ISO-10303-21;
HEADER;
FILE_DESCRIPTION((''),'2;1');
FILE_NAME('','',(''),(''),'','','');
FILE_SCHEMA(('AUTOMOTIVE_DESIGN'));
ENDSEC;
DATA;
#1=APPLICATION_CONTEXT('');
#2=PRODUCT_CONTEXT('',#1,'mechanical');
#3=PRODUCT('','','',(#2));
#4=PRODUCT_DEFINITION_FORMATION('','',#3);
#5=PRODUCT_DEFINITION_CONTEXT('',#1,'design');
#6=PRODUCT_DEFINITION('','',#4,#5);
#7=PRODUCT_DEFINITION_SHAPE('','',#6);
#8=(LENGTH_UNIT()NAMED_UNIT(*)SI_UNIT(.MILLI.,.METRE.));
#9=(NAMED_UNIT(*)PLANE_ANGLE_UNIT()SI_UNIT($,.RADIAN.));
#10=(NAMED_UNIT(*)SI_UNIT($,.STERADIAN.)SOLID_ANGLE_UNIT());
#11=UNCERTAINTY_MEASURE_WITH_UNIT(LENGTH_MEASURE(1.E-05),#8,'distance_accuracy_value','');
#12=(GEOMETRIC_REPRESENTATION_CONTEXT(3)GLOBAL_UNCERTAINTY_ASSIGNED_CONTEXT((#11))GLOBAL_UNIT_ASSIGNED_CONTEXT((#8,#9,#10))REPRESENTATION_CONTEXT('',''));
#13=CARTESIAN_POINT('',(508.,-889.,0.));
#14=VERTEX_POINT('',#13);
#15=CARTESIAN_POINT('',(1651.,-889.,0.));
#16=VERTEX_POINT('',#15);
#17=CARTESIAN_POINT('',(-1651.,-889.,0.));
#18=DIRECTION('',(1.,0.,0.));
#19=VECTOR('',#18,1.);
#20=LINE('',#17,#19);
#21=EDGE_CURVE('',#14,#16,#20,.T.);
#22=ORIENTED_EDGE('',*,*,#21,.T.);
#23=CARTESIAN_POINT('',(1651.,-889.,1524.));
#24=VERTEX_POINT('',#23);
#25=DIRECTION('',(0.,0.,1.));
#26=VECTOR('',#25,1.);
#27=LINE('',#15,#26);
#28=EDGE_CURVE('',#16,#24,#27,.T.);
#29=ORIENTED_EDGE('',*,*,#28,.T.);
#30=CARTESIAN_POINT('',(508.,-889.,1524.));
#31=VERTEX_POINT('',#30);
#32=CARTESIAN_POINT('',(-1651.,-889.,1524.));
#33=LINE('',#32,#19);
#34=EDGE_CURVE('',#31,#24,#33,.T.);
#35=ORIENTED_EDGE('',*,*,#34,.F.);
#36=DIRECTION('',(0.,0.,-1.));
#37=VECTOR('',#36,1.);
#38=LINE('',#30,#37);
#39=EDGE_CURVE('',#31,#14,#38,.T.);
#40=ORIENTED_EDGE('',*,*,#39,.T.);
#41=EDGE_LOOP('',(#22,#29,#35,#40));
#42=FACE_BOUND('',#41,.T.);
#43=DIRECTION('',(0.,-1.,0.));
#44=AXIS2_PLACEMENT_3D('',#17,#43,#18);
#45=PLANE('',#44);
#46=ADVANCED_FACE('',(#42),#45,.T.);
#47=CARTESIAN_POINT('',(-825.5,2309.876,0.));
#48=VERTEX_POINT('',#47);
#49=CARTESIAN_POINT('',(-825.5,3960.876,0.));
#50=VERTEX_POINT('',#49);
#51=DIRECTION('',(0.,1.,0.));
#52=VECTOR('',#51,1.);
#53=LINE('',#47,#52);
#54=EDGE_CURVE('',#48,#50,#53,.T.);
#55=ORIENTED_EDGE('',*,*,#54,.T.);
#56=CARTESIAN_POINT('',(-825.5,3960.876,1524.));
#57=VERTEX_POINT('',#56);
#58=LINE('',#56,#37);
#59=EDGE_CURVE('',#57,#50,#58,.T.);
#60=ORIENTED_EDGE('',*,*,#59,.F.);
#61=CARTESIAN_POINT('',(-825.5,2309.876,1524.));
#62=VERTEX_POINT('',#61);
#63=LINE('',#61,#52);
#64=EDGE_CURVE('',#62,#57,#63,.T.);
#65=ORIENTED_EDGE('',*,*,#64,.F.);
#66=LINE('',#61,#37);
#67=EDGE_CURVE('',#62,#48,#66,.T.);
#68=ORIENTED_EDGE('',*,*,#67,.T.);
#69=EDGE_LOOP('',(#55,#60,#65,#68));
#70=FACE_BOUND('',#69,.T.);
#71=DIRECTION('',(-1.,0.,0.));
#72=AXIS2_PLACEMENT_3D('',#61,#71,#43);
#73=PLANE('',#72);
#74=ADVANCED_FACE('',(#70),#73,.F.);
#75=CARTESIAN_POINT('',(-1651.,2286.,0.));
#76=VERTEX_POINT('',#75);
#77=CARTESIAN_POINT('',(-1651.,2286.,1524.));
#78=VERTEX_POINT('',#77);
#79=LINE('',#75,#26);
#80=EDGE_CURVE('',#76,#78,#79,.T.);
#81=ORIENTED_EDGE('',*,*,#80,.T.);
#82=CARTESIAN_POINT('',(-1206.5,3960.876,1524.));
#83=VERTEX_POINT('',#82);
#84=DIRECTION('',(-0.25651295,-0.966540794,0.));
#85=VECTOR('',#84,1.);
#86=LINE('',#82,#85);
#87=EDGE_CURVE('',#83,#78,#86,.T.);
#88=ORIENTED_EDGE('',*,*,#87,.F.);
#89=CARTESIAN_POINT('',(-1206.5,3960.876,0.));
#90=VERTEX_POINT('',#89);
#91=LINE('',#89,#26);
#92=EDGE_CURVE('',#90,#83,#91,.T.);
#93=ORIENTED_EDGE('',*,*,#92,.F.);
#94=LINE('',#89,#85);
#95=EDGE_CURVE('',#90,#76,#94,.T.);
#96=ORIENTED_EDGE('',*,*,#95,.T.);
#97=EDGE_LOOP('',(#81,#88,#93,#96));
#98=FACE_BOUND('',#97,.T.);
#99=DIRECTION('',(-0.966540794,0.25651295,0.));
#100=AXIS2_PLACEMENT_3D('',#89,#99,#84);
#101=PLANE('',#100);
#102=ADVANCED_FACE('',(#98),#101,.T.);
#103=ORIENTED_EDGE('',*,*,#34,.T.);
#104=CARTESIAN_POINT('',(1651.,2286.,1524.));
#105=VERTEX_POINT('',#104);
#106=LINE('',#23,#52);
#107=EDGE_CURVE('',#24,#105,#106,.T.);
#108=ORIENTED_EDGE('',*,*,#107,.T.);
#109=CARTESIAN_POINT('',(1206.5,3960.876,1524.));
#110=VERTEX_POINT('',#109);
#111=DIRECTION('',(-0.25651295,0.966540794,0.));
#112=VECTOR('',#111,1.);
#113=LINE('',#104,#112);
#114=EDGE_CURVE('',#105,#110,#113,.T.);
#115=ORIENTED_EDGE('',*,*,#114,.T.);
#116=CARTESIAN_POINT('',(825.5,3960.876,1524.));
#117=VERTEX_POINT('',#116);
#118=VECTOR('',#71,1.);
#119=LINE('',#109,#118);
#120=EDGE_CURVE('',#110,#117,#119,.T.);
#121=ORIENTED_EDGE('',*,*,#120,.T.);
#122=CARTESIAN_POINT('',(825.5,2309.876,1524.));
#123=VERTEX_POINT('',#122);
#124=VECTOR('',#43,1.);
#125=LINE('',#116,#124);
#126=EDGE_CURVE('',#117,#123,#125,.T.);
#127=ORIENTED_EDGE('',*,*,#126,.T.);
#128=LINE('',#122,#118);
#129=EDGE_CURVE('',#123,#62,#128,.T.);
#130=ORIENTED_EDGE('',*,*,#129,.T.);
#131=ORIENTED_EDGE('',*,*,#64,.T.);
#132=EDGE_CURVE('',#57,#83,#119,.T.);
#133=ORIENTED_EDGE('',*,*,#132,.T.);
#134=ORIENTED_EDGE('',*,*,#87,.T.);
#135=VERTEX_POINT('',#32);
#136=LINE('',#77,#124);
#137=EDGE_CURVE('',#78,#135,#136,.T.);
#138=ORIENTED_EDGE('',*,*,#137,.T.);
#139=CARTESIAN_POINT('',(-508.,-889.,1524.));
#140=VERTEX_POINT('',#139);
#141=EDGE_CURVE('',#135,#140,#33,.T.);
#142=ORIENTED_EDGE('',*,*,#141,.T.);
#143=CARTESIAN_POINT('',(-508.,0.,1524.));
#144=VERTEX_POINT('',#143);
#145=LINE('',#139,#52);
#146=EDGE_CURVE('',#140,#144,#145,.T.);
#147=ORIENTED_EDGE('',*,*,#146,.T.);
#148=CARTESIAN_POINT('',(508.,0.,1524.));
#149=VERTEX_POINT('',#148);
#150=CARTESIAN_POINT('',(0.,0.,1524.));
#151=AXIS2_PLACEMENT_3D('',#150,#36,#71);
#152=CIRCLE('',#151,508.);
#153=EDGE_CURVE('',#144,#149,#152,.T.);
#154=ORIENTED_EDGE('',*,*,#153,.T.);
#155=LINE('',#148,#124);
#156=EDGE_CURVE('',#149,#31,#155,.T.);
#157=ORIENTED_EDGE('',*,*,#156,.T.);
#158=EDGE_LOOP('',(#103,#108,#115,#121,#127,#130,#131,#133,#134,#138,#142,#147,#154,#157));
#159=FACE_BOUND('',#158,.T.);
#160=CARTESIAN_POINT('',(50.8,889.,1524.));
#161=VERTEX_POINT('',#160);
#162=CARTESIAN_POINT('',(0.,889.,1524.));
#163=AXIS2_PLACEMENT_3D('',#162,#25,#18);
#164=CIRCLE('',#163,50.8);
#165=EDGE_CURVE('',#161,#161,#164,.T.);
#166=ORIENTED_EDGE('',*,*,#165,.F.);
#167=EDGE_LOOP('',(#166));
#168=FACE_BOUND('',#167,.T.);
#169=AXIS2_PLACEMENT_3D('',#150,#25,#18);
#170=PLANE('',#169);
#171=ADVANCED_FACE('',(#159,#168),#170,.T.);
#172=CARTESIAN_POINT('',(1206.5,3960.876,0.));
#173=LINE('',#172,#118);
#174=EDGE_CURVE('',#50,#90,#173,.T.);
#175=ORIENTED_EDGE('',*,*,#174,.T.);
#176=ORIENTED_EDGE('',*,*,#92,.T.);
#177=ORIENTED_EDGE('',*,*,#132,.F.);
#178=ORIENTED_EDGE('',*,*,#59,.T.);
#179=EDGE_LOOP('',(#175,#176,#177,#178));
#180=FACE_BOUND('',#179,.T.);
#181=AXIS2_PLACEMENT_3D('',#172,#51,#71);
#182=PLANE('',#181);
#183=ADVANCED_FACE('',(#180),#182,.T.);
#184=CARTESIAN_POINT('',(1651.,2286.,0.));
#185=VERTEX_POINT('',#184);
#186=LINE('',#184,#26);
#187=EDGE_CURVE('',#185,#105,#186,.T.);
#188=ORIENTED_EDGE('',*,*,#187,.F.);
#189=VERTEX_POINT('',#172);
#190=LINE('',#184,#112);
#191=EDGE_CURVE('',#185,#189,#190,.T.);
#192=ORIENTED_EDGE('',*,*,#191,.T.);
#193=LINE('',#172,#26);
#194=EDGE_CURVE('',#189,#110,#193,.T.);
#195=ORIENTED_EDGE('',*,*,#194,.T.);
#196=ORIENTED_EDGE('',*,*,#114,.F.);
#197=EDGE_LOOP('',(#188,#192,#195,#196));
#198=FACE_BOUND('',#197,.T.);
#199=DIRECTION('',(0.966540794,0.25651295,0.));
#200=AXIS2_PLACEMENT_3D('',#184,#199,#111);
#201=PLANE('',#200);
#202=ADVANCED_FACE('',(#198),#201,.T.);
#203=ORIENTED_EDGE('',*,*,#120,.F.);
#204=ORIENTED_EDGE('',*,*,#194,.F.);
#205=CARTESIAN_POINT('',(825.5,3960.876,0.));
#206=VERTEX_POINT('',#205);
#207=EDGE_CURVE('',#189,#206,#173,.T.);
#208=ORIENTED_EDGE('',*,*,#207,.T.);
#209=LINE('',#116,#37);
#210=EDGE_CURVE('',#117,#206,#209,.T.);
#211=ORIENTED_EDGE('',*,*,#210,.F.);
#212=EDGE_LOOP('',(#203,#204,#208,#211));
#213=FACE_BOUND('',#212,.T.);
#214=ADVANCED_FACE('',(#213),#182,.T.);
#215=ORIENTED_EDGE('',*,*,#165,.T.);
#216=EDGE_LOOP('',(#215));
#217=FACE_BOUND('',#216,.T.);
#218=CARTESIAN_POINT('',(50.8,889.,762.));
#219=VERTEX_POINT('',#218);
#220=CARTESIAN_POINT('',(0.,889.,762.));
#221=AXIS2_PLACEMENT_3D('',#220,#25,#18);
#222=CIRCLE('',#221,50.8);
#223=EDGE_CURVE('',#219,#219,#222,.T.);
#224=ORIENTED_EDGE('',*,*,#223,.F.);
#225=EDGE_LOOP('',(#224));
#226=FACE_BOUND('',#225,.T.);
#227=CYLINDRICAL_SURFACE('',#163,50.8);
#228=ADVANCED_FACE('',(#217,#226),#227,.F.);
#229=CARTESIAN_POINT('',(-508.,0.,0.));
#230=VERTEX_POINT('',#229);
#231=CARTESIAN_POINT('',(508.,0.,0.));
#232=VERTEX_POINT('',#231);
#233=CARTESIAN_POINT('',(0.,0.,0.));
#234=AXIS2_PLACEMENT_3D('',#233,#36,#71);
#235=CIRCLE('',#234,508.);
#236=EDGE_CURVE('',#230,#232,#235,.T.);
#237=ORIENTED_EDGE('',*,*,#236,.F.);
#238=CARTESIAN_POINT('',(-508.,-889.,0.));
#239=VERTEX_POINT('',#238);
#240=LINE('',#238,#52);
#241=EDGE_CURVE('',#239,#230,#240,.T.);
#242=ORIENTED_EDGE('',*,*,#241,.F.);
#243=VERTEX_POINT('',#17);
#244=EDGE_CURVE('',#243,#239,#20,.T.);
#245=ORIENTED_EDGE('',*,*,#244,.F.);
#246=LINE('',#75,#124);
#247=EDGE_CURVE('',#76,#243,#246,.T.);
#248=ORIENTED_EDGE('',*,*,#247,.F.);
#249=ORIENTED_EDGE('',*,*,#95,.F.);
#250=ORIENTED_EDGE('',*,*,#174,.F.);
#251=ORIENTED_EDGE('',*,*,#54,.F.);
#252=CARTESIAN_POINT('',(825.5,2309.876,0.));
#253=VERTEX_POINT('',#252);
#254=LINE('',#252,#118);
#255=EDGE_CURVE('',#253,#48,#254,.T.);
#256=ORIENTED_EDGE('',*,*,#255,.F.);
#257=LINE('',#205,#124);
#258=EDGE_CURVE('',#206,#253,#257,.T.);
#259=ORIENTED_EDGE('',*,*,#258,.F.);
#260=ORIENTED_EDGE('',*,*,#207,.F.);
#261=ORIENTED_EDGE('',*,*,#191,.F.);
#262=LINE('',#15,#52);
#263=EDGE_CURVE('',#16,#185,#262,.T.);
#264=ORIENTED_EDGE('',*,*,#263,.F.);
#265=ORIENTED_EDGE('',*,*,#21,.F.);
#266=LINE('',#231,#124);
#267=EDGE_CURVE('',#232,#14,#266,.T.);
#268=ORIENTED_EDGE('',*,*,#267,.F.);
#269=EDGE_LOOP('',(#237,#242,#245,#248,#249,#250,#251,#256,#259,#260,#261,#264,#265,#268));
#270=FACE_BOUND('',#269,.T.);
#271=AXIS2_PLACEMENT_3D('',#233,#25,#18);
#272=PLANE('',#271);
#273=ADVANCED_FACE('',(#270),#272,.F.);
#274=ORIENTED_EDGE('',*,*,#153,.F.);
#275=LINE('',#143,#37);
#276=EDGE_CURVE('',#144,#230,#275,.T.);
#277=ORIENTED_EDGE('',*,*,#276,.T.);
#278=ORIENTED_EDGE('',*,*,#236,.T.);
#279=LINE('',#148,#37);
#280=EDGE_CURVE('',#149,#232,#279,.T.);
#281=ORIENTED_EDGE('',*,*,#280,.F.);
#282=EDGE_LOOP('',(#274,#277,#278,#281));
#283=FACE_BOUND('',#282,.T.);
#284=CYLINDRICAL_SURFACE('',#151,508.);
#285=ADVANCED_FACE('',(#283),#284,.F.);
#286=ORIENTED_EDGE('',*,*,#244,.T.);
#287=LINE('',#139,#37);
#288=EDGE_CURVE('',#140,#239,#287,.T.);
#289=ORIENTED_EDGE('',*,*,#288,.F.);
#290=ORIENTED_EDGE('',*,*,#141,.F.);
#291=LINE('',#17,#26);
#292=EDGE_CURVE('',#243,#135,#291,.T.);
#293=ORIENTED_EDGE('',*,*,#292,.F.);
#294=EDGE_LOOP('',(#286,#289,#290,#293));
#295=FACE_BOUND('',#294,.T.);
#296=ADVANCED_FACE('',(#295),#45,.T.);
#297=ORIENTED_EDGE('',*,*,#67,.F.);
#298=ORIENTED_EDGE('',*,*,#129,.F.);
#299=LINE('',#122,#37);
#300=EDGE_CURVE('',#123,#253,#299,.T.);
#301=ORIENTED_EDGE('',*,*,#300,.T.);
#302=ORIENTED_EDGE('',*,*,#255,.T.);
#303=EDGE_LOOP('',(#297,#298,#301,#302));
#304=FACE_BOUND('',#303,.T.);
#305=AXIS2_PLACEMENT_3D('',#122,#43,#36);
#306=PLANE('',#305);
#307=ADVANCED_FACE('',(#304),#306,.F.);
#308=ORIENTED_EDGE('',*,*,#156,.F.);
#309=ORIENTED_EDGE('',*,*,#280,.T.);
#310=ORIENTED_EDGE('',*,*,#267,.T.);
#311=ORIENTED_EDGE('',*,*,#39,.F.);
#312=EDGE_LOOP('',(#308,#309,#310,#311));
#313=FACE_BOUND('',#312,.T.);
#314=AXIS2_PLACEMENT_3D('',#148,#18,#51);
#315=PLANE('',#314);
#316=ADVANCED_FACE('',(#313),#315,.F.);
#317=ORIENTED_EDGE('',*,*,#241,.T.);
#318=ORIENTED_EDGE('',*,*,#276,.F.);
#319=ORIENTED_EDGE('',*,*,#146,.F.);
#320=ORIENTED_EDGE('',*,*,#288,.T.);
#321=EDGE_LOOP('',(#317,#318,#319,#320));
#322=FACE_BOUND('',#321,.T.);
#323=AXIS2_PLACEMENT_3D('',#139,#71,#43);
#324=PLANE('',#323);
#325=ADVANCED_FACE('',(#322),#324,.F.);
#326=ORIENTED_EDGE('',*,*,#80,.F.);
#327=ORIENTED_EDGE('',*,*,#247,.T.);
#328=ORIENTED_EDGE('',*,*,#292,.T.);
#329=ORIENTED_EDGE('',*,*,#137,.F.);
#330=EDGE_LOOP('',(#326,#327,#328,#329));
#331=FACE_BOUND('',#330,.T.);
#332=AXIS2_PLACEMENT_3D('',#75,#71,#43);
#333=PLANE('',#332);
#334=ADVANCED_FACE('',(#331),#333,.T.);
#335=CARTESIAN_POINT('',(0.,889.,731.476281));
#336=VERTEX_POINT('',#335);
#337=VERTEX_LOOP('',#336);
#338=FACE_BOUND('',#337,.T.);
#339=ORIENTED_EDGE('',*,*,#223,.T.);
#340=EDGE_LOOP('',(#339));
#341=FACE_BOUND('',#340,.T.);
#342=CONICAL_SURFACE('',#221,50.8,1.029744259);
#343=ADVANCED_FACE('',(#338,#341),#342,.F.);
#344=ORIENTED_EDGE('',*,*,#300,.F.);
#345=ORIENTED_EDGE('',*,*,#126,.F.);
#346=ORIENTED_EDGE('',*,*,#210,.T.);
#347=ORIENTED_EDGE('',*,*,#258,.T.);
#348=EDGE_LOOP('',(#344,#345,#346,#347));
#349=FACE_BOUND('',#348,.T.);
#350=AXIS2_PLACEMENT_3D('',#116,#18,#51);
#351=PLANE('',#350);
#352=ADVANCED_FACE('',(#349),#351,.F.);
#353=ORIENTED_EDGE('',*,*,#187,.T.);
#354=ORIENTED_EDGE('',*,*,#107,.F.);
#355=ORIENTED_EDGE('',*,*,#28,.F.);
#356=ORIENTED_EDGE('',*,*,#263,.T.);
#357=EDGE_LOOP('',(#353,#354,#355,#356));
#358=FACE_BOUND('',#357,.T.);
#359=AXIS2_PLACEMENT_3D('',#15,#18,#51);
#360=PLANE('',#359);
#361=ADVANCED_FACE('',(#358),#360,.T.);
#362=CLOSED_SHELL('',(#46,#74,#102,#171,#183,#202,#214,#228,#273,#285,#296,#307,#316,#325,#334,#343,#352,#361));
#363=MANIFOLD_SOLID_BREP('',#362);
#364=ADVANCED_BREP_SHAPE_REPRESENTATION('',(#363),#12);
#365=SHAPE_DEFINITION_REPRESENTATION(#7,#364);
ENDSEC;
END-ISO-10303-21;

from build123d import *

# Parameters (mm, degrees)
BOSS_EXTRUDE1_DEPTH = 1524
CUT_EXTRUDE1_DEPTH  = 4554.780373204
SKETCH3_W           = 1651
SKETCH3_H           = 1651
CUT_EXTRUDE2_DEPTH  = 4554.780373204
HOLE1_D             = 101.6
HOLE1_DEPTH         = 762
HOLE1_TIP           = 30.523719447


with BuildPart() as part:
    # Sketch1 → Boss-Extrude1 (new body)
    with BuildSketch(Plane.XY.offset(1524)):
        Polygon((-1651, 2286), (-1651, -889), (1651, -889), (1651, 2286), (1206.5, 3960.876), (-1206.5, 3960.876), align=None)
    extrude(amount=-BOSS_EXTRUDE1_DEPTH)

    # Sketch2 → Cut-Extrude1 (cut, through all)
    with BuildSketch(Plane(origin=(0, 0, 0), x_dir=(-1, 0, 0), z_dir=(0, 0, -1))):
        with BuildLine():
            Line((-508, -889), (508, -889))
            Line((508, -889), (508, 0))
            ThreePointArc((508, 0), (0, 508), (-508, 0))
            Line((-508, 0), (-508, -889))
        make_face()
    extrude(amount=-CUT_EXTRUDE1_DEPTH, mode=Mode.SUBTRACT)

    # Sketch3 → Cut-Extrude2 (cut, through all)
    with BuildSketch(Plane(origin=(0, 0, 0), x_dir=(-1, 0, 0), z_dir=(0, 0, -1))):
        with Locations((0, 3135.376)):
            Rectangle(SKETCH3_W, SKETCH3_H)
    extrude(amount=-CUT_EXTRUDE2_DEPTH, mode=Mode.SUBTRACT)

    # Hole1
    with Locations(Plane.XY.offset(1524)):
        with Locations((0, 889)):
            Hole(HOLE1_D / 2, depth=HOLE1_DEPTH)
            with Locations((0, 0, -(HOLE1_DEPTH + HOLE1_TIP / 2))):  # 118° drill point
                Cone(0, HOLE1_D / 2, HOLE1_TIP, mode=Mode.SUBTRACT)


solid = part.part
